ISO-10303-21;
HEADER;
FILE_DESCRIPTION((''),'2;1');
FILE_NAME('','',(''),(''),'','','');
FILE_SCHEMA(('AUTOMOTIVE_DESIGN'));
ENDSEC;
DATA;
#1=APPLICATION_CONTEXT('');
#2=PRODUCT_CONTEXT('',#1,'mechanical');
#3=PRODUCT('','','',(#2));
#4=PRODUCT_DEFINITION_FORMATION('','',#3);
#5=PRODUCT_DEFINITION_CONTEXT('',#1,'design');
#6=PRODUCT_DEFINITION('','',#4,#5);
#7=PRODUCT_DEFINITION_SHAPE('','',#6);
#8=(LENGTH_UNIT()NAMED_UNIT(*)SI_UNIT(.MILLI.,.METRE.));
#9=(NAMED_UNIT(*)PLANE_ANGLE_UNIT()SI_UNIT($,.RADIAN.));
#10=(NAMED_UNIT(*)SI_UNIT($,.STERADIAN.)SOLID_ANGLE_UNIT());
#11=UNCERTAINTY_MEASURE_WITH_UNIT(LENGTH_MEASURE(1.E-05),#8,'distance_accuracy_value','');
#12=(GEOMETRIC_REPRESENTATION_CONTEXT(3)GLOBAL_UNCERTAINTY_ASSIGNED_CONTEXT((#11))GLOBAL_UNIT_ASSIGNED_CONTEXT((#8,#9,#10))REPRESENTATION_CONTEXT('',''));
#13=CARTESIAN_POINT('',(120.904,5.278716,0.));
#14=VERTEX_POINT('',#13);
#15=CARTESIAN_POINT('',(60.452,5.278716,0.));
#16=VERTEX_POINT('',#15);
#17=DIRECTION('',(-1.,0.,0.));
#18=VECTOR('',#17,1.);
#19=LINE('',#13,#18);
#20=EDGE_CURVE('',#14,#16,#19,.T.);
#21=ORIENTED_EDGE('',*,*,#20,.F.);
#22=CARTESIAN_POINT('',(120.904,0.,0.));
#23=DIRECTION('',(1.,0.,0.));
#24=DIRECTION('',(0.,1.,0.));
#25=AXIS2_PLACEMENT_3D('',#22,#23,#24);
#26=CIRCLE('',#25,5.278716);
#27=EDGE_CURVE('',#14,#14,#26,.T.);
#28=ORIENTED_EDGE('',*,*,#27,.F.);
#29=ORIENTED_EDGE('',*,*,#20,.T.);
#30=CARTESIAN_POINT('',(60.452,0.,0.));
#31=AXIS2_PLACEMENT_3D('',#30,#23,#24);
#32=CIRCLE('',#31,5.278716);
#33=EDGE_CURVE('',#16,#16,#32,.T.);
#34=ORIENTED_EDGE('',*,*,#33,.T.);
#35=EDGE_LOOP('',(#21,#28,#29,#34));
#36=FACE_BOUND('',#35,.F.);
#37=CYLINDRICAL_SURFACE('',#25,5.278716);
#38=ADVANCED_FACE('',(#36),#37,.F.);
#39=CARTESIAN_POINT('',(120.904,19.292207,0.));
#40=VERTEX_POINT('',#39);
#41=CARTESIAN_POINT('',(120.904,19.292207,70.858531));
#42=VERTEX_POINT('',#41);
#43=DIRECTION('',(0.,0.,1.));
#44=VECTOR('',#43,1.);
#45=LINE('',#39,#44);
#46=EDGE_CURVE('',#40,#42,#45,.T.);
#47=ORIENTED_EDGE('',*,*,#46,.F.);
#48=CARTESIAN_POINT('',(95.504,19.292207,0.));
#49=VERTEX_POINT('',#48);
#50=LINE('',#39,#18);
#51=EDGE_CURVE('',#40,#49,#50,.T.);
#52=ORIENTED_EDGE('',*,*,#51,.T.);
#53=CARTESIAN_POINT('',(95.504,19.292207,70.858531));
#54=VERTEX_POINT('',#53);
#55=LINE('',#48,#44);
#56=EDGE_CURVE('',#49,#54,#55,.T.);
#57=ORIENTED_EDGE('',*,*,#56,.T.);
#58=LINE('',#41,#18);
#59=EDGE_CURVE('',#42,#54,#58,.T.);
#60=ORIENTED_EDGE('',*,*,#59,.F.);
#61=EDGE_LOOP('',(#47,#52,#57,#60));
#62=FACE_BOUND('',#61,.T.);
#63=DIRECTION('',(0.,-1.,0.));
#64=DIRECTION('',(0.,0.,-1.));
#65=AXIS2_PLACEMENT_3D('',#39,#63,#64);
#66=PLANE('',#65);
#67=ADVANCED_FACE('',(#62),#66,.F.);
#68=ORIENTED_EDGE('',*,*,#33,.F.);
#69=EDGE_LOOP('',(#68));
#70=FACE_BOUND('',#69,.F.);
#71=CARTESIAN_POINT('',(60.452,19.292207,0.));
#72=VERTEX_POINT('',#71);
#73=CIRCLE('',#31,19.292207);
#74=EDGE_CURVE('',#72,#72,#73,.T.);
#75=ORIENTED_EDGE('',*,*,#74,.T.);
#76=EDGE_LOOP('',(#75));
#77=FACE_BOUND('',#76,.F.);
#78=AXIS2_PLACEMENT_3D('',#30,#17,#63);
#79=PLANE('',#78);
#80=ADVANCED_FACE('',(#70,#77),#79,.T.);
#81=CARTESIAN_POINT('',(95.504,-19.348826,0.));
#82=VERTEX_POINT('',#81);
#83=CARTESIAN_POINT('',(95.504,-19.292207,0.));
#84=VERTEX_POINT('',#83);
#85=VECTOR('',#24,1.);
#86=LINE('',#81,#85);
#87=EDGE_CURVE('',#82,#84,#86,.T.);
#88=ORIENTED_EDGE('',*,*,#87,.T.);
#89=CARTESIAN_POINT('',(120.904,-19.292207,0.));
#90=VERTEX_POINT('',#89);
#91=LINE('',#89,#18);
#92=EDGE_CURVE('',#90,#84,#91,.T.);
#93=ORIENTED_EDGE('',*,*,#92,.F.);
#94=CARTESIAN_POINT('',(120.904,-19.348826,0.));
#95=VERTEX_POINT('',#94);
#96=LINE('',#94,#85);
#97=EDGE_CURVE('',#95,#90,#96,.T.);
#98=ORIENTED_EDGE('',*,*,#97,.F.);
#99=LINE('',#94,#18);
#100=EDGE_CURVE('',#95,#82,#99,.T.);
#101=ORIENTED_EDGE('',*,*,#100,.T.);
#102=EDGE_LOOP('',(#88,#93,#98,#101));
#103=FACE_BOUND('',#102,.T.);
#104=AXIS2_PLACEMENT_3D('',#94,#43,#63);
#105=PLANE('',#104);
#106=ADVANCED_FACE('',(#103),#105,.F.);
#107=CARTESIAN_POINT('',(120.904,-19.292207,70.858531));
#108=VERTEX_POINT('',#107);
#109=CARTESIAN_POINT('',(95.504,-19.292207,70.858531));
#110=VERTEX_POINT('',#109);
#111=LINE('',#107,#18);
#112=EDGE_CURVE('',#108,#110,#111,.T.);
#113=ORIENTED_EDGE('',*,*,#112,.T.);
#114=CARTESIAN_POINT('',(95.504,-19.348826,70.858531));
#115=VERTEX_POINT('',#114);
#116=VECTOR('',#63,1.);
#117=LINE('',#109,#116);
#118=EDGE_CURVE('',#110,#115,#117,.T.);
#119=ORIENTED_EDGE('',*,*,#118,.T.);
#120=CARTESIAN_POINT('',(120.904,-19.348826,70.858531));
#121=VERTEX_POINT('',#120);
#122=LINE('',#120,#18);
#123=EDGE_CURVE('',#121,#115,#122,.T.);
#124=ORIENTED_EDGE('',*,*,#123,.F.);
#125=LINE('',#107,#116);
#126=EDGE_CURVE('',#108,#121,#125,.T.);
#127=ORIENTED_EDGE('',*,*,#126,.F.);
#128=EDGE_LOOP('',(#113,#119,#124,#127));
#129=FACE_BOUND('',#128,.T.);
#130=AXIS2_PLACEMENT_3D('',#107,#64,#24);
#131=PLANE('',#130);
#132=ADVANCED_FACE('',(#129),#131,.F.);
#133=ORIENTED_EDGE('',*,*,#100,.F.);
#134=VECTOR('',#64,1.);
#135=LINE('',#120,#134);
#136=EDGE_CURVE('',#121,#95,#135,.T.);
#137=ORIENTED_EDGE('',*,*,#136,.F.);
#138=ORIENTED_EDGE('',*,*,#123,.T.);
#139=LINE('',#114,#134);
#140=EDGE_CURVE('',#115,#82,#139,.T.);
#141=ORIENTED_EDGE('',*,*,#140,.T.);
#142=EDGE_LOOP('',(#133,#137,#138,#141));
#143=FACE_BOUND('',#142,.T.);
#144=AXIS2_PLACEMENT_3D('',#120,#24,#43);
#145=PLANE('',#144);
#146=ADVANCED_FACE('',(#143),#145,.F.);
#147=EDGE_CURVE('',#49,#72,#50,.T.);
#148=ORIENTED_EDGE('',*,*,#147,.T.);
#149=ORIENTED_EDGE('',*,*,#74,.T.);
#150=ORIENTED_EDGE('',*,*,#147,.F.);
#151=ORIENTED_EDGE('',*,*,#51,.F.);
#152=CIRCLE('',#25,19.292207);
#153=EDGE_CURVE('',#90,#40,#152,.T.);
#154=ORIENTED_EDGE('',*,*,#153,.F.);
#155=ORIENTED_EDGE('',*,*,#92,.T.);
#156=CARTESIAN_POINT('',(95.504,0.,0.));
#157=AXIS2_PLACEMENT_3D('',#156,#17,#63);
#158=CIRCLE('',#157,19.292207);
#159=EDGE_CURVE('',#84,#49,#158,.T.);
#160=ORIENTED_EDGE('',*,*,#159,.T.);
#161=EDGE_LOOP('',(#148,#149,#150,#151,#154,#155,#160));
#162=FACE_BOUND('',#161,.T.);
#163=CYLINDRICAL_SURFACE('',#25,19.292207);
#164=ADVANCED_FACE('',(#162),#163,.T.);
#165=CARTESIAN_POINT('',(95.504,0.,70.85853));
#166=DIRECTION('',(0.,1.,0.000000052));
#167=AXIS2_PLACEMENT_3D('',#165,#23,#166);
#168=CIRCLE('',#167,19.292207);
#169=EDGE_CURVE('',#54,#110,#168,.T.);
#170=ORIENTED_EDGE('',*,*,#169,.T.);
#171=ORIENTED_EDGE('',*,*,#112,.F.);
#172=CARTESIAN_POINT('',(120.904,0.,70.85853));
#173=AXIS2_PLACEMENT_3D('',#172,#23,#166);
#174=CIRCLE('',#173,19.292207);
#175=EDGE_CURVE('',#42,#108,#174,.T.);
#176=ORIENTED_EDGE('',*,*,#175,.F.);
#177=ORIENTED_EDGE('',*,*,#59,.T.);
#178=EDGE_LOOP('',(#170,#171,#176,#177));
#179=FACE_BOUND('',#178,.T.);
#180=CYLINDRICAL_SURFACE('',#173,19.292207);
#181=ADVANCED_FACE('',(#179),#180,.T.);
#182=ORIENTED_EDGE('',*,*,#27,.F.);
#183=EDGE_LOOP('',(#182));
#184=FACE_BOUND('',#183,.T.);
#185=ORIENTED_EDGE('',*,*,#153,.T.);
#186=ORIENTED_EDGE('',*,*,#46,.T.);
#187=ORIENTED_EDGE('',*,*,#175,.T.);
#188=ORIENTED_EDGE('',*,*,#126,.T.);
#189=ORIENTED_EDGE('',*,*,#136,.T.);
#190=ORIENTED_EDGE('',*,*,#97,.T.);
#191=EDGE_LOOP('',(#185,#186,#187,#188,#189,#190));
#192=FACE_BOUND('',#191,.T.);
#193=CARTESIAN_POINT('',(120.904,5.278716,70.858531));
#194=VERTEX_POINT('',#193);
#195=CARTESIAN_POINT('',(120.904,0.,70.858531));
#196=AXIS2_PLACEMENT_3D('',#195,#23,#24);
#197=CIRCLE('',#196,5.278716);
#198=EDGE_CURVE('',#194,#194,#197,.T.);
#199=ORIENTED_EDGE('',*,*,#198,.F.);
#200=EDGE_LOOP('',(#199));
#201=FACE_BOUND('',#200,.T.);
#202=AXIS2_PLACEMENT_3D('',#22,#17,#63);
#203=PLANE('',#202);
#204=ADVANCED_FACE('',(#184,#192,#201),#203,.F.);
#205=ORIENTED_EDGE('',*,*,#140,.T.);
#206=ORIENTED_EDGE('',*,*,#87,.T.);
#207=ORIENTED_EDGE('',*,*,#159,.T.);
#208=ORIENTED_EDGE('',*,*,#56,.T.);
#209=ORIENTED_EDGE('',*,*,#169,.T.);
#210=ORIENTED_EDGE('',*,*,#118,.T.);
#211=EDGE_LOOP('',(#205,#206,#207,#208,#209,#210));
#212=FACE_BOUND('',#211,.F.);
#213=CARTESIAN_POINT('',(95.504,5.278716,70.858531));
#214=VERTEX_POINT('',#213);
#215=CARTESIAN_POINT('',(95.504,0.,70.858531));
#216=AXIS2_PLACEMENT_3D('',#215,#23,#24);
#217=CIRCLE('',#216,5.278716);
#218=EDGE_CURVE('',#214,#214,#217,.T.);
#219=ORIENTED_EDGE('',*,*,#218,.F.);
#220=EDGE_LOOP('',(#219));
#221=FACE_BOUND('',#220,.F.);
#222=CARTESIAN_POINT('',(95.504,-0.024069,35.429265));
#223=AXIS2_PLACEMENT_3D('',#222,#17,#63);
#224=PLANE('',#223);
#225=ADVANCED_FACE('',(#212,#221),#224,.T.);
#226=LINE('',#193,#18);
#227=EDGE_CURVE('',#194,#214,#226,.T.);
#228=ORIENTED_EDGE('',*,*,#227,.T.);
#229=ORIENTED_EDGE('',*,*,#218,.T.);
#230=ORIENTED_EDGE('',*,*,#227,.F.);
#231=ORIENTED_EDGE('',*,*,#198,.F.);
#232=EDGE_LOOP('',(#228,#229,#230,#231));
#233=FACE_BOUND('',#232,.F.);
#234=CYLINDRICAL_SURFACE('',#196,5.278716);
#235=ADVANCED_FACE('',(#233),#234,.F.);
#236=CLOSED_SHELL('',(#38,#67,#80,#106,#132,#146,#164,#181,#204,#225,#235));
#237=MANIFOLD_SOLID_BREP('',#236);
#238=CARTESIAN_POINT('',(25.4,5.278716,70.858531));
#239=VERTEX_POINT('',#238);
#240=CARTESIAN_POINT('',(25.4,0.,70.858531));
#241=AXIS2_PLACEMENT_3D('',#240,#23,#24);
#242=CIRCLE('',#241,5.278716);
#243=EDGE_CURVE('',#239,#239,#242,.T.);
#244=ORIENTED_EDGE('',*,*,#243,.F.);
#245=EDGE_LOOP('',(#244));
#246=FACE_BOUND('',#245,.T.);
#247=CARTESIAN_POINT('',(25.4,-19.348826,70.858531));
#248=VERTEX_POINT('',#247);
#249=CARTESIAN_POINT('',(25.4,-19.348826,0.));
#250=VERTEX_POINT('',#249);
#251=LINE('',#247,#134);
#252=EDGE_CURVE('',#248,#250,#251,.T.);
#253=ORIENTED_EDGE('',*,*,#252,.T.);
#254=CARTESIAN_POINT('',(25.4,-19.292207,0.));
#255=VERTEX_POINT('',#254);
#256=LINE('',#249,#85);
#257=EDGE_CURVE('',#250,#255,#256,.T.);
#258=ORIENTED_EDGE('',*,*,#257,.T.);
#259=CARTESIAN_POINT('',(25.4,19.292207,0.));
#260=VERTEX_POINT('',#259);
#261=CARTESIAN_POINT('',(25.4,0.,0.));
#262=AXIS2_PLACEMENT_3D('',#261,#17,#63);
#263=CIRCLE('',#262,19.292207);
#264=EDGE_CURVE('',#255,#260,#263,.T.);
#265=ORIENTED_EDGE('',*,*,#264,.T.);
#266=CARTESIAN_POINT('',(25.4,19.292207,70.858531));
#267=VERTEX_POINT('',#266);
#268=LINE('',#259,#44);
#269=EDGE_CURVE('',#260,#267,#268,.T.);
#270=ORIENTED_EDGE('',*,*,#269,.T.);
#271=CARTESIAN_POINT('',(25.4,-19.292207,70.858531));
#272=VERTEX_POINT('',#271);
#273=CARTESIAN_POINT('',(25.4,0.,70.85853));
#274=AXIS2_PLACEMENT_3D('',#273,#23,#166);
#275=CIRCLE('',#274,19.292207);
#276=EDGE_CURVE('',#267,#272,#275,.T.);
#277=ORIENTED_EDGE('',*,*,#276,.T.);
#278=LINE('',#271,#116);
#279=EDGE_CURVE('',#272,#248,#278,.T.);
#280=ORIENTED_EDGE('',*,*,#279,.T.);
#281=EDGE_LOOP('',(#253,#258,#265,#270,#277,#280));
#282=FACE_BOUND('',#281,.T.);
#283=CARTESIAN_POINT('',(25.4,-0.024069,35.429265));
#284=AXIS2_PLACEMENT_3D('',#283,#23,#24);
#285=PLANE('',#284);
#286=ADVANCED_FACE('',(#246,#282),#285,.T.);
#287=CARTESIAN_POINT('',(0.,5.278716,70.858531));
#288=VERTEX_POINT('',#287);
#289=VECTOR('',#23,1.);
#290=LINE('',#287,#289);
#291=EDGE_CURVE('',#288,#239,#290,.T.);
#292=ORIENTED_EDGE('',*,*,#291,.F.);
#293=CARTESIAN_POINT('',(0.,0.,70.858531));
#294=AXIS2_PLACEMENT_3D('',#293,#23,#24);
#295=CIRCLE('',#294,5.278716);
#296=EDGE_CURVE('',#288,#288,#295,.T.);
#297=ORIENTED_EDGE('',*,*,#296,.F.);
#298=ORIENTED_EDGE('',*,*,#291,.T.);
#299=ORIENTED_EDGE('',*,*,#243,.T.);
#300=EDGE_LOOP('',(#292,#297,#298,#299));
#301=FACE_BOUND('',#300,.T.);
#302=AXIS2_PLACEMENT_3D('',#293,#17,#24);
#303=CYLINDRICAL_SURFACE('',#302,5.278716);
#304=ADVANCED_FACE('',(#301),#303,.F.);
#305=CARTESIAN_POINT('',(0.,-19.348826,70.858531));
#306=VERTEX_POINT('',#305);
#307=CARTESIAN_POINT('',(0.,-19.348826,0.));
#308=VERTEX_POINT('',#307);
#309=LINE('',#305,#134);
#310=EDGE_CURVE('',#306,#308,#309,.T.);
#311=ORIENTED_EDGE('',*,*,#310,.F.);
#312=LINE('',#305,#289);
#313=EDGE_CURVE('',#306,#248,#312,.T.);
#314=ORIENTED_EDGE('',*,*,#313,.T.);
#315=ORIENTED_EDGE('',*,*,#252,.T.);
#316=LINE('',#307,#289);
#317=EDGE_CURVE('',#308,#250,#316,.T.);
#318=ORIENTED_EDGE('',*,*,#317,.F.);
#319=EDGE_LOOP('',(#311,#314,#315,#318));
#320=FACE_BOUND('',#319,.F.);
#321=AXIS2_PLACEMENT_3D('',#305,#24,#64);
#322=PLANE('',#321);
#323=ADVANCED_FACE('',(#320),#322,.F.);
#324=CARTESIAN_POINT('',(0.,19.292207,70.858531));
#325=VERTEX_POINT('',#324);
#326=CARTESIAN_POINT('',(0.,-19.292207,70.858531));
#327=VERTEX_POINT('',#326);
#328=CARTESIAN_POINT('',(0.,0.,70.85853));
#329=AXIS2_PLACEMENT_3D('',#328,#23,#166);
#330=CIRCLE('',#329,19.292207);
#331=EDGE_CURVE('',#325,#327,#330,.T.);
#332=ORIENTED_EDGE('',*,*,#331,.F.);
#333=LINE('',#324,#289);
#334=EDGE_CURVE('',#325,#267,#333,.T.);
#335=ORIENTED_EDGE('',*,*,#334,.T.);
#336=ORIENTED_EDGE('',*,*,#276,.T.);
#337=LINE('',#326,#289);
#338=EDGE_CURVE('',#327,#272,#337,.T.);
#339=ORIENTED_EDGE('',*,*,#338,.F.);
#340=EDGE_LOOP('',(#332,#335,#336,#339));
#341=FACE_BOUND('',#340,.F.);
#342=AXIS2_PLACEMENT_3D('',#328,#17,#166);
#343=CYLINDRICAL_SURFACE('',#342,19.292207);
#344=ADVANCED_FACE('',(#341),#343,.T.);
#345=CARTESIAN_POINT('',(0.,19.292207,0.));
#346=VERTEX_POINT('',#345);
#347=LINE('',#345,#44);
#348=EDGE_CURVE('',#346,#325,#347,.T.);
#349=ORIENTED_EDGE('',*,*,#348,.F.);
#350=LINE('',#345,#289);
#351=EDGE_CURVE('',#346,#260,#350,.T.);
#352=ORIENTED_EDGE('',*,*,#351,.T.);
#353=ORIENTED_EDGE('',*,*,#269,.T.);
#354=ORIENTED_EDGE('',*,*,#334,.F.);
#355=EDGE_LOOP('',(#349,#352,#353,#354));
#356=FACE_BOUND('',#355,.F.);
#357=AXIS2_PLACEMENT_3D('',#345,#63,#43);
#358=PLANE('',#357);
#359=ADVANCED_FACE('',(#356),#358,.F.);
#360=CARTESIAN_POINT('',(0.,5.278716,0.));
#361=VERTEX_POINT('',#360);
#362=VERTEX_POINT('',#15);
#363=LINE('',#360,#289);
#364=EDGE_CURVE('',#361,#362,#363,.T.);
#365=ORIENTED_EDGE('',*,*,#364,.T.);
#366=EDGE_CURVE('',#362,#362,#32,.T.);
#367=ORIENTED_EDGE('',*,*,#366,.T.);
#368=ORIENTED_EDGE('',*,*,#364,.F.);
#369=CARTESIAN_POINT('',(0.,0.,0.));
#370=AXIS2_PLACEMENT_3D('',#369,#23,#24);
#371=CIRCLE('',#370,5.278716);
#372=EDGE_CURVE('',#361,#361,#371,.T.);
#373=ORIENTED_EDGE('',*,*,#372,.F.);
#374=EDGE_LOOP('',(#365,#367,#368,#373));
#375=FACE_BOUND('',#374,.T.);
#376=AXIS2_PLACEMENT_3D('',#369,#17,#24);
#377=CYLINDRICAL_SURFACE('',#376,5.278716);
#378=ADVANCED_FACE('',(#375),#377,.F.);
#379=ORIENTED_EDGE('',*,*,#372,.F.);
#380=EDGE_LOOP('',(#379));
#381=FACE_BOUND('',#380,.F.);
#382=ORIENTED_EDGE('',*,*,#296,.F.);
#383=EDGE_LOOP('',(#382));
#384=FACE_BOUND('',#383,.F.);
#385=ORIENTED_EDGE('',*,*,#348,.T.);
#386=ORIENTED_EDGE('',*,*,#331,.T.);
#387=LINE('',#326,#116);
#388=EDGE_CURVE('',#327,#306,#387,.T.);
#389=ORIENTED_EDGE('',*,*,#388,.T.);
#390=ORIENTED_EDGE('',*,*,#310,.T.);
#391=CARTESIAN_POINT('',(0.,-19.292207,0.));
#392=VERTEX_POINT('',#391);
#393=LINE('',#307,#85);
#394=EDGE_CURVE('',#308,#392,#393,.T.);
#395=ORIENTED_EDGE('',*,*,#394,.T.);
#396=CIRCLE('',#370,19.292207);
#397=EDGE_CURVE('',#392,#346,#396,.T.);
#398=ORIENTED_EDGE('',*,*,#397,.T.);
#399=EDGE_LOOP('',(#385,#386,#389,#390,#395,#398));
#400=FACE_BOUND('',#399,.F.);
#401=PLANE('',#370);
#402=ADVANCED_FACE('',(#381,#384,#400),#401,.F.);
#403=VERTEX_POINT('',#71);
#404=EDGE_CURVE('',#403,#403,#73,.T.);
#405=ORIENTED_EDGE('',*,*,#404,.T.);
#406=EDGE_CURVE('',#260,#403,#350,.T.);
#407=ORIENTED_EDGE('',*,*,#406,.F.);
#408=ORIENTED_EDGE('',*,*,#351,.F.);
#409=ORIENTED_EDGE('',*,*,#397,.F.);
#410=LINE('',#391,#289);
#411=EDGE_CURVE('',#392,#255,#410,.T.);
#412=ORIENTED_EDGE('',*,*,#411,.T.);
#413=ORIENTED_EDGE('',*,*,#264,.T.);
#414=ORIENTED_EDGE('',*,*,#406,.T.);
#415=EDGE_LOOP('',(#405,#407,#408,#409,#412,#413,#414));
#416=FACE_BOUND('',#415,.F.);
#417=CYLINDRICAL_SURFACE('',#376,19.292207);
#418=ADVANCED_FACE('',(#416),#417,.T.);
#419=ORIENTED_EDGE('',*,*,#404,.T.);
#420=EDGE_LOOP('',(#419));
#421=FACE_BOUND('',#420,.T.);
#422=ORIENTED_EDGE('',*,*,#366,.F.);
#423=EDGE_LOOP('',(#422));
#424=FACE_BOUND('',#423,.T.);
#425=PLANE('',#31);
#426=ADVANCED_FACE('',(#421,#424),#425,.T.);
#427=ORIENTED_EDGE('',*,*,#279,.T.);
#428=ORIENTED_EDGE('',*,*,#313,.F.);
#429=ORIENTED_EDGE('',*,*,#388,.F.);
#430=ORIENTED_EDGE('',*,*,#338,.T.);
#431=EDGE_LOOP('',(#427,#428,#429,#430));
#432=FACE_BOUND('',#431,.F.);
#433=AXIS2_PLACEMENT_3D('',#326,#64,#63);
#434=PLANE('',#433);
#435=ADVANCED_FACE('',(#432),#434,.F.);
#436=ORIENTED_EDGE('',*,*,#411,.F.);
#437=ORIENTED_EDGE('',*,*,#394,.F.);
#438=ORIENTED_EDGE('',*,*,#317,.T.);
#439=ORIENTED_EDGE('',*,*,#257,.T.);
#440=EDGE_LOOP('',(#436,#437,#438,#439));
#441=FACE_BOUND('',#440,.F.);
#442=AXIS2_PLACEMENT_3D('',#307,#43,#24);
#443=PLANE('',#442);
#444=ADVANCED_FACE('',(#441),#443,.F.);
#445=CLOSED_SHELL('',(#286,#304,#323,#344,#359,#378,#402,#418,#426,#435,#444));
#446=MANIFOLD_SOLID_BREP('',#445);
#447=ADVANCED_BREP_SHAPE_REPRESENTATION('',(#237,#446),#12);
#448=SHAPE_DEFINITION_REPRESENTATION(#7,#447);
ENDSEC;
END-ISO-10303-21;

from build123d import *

# Parameters (mm, degrees)
F0_R     = 5.278716
F1_DEPTH = 25.4
F2_DEPTH = 60.452


with BuildPart() as f1:
    # F0 (on Right) → F1 (new body)
    with BuildSketch(Plane.YZ):
        with BuildLine():
            ThreePointArc((-19.292207, 0), (0, 19.292207), (19.292207, 0))
            Line((19.292207, 0), (19.292207, 70.858531))
            ThreePointArc((19.292207, 70.858531), (0, 51.566324), (-19.292207, 70.858531))
            Line((-19.292207, 70.858531), (-19.348826, 70.858531))
            Line((-19.348826, 70.858531), (-19.348826, 0))
            Line((-19.348826, 0), (-19.292207, 0))
        make_face()
        with BuildLine():
            ThreePointArc((-19.292207, 70.858531), (0, 51.566324), (19.292207, 70.858531))
            ThreePointArc((19.292207, 70.858531), (0, 90.150737), (-19.292207, 70.858531))
        make_face()
        with Locations((0, 70.858531)):
            Circle(F0_R, mode=Mode.SUBTRACT)
    extrude(amount=F1_DEPTH)

    # F0 (on Right) → F2 (join)
    with BuildSketch(Plane.YZ):
        with BuildLine():
            ThreePointArc((-19.292207, 0), (0, -19.292207), (19.292207, 0))
            ThreePointArc((19.292207, 0), (0, 19.292207), (-19.292207, 0))
        make_face()
        Circle(F0_R, mode=Mode.SUBTRACT)
    extrude(amount=F2_DEPTH)


with BuildPart() as f3_1:
    # F3: instance of F1
    add(f1.part.mirror(Plane.YZ.offset(60.452)))


solid = Compound([f1.part, f3_1.part])
